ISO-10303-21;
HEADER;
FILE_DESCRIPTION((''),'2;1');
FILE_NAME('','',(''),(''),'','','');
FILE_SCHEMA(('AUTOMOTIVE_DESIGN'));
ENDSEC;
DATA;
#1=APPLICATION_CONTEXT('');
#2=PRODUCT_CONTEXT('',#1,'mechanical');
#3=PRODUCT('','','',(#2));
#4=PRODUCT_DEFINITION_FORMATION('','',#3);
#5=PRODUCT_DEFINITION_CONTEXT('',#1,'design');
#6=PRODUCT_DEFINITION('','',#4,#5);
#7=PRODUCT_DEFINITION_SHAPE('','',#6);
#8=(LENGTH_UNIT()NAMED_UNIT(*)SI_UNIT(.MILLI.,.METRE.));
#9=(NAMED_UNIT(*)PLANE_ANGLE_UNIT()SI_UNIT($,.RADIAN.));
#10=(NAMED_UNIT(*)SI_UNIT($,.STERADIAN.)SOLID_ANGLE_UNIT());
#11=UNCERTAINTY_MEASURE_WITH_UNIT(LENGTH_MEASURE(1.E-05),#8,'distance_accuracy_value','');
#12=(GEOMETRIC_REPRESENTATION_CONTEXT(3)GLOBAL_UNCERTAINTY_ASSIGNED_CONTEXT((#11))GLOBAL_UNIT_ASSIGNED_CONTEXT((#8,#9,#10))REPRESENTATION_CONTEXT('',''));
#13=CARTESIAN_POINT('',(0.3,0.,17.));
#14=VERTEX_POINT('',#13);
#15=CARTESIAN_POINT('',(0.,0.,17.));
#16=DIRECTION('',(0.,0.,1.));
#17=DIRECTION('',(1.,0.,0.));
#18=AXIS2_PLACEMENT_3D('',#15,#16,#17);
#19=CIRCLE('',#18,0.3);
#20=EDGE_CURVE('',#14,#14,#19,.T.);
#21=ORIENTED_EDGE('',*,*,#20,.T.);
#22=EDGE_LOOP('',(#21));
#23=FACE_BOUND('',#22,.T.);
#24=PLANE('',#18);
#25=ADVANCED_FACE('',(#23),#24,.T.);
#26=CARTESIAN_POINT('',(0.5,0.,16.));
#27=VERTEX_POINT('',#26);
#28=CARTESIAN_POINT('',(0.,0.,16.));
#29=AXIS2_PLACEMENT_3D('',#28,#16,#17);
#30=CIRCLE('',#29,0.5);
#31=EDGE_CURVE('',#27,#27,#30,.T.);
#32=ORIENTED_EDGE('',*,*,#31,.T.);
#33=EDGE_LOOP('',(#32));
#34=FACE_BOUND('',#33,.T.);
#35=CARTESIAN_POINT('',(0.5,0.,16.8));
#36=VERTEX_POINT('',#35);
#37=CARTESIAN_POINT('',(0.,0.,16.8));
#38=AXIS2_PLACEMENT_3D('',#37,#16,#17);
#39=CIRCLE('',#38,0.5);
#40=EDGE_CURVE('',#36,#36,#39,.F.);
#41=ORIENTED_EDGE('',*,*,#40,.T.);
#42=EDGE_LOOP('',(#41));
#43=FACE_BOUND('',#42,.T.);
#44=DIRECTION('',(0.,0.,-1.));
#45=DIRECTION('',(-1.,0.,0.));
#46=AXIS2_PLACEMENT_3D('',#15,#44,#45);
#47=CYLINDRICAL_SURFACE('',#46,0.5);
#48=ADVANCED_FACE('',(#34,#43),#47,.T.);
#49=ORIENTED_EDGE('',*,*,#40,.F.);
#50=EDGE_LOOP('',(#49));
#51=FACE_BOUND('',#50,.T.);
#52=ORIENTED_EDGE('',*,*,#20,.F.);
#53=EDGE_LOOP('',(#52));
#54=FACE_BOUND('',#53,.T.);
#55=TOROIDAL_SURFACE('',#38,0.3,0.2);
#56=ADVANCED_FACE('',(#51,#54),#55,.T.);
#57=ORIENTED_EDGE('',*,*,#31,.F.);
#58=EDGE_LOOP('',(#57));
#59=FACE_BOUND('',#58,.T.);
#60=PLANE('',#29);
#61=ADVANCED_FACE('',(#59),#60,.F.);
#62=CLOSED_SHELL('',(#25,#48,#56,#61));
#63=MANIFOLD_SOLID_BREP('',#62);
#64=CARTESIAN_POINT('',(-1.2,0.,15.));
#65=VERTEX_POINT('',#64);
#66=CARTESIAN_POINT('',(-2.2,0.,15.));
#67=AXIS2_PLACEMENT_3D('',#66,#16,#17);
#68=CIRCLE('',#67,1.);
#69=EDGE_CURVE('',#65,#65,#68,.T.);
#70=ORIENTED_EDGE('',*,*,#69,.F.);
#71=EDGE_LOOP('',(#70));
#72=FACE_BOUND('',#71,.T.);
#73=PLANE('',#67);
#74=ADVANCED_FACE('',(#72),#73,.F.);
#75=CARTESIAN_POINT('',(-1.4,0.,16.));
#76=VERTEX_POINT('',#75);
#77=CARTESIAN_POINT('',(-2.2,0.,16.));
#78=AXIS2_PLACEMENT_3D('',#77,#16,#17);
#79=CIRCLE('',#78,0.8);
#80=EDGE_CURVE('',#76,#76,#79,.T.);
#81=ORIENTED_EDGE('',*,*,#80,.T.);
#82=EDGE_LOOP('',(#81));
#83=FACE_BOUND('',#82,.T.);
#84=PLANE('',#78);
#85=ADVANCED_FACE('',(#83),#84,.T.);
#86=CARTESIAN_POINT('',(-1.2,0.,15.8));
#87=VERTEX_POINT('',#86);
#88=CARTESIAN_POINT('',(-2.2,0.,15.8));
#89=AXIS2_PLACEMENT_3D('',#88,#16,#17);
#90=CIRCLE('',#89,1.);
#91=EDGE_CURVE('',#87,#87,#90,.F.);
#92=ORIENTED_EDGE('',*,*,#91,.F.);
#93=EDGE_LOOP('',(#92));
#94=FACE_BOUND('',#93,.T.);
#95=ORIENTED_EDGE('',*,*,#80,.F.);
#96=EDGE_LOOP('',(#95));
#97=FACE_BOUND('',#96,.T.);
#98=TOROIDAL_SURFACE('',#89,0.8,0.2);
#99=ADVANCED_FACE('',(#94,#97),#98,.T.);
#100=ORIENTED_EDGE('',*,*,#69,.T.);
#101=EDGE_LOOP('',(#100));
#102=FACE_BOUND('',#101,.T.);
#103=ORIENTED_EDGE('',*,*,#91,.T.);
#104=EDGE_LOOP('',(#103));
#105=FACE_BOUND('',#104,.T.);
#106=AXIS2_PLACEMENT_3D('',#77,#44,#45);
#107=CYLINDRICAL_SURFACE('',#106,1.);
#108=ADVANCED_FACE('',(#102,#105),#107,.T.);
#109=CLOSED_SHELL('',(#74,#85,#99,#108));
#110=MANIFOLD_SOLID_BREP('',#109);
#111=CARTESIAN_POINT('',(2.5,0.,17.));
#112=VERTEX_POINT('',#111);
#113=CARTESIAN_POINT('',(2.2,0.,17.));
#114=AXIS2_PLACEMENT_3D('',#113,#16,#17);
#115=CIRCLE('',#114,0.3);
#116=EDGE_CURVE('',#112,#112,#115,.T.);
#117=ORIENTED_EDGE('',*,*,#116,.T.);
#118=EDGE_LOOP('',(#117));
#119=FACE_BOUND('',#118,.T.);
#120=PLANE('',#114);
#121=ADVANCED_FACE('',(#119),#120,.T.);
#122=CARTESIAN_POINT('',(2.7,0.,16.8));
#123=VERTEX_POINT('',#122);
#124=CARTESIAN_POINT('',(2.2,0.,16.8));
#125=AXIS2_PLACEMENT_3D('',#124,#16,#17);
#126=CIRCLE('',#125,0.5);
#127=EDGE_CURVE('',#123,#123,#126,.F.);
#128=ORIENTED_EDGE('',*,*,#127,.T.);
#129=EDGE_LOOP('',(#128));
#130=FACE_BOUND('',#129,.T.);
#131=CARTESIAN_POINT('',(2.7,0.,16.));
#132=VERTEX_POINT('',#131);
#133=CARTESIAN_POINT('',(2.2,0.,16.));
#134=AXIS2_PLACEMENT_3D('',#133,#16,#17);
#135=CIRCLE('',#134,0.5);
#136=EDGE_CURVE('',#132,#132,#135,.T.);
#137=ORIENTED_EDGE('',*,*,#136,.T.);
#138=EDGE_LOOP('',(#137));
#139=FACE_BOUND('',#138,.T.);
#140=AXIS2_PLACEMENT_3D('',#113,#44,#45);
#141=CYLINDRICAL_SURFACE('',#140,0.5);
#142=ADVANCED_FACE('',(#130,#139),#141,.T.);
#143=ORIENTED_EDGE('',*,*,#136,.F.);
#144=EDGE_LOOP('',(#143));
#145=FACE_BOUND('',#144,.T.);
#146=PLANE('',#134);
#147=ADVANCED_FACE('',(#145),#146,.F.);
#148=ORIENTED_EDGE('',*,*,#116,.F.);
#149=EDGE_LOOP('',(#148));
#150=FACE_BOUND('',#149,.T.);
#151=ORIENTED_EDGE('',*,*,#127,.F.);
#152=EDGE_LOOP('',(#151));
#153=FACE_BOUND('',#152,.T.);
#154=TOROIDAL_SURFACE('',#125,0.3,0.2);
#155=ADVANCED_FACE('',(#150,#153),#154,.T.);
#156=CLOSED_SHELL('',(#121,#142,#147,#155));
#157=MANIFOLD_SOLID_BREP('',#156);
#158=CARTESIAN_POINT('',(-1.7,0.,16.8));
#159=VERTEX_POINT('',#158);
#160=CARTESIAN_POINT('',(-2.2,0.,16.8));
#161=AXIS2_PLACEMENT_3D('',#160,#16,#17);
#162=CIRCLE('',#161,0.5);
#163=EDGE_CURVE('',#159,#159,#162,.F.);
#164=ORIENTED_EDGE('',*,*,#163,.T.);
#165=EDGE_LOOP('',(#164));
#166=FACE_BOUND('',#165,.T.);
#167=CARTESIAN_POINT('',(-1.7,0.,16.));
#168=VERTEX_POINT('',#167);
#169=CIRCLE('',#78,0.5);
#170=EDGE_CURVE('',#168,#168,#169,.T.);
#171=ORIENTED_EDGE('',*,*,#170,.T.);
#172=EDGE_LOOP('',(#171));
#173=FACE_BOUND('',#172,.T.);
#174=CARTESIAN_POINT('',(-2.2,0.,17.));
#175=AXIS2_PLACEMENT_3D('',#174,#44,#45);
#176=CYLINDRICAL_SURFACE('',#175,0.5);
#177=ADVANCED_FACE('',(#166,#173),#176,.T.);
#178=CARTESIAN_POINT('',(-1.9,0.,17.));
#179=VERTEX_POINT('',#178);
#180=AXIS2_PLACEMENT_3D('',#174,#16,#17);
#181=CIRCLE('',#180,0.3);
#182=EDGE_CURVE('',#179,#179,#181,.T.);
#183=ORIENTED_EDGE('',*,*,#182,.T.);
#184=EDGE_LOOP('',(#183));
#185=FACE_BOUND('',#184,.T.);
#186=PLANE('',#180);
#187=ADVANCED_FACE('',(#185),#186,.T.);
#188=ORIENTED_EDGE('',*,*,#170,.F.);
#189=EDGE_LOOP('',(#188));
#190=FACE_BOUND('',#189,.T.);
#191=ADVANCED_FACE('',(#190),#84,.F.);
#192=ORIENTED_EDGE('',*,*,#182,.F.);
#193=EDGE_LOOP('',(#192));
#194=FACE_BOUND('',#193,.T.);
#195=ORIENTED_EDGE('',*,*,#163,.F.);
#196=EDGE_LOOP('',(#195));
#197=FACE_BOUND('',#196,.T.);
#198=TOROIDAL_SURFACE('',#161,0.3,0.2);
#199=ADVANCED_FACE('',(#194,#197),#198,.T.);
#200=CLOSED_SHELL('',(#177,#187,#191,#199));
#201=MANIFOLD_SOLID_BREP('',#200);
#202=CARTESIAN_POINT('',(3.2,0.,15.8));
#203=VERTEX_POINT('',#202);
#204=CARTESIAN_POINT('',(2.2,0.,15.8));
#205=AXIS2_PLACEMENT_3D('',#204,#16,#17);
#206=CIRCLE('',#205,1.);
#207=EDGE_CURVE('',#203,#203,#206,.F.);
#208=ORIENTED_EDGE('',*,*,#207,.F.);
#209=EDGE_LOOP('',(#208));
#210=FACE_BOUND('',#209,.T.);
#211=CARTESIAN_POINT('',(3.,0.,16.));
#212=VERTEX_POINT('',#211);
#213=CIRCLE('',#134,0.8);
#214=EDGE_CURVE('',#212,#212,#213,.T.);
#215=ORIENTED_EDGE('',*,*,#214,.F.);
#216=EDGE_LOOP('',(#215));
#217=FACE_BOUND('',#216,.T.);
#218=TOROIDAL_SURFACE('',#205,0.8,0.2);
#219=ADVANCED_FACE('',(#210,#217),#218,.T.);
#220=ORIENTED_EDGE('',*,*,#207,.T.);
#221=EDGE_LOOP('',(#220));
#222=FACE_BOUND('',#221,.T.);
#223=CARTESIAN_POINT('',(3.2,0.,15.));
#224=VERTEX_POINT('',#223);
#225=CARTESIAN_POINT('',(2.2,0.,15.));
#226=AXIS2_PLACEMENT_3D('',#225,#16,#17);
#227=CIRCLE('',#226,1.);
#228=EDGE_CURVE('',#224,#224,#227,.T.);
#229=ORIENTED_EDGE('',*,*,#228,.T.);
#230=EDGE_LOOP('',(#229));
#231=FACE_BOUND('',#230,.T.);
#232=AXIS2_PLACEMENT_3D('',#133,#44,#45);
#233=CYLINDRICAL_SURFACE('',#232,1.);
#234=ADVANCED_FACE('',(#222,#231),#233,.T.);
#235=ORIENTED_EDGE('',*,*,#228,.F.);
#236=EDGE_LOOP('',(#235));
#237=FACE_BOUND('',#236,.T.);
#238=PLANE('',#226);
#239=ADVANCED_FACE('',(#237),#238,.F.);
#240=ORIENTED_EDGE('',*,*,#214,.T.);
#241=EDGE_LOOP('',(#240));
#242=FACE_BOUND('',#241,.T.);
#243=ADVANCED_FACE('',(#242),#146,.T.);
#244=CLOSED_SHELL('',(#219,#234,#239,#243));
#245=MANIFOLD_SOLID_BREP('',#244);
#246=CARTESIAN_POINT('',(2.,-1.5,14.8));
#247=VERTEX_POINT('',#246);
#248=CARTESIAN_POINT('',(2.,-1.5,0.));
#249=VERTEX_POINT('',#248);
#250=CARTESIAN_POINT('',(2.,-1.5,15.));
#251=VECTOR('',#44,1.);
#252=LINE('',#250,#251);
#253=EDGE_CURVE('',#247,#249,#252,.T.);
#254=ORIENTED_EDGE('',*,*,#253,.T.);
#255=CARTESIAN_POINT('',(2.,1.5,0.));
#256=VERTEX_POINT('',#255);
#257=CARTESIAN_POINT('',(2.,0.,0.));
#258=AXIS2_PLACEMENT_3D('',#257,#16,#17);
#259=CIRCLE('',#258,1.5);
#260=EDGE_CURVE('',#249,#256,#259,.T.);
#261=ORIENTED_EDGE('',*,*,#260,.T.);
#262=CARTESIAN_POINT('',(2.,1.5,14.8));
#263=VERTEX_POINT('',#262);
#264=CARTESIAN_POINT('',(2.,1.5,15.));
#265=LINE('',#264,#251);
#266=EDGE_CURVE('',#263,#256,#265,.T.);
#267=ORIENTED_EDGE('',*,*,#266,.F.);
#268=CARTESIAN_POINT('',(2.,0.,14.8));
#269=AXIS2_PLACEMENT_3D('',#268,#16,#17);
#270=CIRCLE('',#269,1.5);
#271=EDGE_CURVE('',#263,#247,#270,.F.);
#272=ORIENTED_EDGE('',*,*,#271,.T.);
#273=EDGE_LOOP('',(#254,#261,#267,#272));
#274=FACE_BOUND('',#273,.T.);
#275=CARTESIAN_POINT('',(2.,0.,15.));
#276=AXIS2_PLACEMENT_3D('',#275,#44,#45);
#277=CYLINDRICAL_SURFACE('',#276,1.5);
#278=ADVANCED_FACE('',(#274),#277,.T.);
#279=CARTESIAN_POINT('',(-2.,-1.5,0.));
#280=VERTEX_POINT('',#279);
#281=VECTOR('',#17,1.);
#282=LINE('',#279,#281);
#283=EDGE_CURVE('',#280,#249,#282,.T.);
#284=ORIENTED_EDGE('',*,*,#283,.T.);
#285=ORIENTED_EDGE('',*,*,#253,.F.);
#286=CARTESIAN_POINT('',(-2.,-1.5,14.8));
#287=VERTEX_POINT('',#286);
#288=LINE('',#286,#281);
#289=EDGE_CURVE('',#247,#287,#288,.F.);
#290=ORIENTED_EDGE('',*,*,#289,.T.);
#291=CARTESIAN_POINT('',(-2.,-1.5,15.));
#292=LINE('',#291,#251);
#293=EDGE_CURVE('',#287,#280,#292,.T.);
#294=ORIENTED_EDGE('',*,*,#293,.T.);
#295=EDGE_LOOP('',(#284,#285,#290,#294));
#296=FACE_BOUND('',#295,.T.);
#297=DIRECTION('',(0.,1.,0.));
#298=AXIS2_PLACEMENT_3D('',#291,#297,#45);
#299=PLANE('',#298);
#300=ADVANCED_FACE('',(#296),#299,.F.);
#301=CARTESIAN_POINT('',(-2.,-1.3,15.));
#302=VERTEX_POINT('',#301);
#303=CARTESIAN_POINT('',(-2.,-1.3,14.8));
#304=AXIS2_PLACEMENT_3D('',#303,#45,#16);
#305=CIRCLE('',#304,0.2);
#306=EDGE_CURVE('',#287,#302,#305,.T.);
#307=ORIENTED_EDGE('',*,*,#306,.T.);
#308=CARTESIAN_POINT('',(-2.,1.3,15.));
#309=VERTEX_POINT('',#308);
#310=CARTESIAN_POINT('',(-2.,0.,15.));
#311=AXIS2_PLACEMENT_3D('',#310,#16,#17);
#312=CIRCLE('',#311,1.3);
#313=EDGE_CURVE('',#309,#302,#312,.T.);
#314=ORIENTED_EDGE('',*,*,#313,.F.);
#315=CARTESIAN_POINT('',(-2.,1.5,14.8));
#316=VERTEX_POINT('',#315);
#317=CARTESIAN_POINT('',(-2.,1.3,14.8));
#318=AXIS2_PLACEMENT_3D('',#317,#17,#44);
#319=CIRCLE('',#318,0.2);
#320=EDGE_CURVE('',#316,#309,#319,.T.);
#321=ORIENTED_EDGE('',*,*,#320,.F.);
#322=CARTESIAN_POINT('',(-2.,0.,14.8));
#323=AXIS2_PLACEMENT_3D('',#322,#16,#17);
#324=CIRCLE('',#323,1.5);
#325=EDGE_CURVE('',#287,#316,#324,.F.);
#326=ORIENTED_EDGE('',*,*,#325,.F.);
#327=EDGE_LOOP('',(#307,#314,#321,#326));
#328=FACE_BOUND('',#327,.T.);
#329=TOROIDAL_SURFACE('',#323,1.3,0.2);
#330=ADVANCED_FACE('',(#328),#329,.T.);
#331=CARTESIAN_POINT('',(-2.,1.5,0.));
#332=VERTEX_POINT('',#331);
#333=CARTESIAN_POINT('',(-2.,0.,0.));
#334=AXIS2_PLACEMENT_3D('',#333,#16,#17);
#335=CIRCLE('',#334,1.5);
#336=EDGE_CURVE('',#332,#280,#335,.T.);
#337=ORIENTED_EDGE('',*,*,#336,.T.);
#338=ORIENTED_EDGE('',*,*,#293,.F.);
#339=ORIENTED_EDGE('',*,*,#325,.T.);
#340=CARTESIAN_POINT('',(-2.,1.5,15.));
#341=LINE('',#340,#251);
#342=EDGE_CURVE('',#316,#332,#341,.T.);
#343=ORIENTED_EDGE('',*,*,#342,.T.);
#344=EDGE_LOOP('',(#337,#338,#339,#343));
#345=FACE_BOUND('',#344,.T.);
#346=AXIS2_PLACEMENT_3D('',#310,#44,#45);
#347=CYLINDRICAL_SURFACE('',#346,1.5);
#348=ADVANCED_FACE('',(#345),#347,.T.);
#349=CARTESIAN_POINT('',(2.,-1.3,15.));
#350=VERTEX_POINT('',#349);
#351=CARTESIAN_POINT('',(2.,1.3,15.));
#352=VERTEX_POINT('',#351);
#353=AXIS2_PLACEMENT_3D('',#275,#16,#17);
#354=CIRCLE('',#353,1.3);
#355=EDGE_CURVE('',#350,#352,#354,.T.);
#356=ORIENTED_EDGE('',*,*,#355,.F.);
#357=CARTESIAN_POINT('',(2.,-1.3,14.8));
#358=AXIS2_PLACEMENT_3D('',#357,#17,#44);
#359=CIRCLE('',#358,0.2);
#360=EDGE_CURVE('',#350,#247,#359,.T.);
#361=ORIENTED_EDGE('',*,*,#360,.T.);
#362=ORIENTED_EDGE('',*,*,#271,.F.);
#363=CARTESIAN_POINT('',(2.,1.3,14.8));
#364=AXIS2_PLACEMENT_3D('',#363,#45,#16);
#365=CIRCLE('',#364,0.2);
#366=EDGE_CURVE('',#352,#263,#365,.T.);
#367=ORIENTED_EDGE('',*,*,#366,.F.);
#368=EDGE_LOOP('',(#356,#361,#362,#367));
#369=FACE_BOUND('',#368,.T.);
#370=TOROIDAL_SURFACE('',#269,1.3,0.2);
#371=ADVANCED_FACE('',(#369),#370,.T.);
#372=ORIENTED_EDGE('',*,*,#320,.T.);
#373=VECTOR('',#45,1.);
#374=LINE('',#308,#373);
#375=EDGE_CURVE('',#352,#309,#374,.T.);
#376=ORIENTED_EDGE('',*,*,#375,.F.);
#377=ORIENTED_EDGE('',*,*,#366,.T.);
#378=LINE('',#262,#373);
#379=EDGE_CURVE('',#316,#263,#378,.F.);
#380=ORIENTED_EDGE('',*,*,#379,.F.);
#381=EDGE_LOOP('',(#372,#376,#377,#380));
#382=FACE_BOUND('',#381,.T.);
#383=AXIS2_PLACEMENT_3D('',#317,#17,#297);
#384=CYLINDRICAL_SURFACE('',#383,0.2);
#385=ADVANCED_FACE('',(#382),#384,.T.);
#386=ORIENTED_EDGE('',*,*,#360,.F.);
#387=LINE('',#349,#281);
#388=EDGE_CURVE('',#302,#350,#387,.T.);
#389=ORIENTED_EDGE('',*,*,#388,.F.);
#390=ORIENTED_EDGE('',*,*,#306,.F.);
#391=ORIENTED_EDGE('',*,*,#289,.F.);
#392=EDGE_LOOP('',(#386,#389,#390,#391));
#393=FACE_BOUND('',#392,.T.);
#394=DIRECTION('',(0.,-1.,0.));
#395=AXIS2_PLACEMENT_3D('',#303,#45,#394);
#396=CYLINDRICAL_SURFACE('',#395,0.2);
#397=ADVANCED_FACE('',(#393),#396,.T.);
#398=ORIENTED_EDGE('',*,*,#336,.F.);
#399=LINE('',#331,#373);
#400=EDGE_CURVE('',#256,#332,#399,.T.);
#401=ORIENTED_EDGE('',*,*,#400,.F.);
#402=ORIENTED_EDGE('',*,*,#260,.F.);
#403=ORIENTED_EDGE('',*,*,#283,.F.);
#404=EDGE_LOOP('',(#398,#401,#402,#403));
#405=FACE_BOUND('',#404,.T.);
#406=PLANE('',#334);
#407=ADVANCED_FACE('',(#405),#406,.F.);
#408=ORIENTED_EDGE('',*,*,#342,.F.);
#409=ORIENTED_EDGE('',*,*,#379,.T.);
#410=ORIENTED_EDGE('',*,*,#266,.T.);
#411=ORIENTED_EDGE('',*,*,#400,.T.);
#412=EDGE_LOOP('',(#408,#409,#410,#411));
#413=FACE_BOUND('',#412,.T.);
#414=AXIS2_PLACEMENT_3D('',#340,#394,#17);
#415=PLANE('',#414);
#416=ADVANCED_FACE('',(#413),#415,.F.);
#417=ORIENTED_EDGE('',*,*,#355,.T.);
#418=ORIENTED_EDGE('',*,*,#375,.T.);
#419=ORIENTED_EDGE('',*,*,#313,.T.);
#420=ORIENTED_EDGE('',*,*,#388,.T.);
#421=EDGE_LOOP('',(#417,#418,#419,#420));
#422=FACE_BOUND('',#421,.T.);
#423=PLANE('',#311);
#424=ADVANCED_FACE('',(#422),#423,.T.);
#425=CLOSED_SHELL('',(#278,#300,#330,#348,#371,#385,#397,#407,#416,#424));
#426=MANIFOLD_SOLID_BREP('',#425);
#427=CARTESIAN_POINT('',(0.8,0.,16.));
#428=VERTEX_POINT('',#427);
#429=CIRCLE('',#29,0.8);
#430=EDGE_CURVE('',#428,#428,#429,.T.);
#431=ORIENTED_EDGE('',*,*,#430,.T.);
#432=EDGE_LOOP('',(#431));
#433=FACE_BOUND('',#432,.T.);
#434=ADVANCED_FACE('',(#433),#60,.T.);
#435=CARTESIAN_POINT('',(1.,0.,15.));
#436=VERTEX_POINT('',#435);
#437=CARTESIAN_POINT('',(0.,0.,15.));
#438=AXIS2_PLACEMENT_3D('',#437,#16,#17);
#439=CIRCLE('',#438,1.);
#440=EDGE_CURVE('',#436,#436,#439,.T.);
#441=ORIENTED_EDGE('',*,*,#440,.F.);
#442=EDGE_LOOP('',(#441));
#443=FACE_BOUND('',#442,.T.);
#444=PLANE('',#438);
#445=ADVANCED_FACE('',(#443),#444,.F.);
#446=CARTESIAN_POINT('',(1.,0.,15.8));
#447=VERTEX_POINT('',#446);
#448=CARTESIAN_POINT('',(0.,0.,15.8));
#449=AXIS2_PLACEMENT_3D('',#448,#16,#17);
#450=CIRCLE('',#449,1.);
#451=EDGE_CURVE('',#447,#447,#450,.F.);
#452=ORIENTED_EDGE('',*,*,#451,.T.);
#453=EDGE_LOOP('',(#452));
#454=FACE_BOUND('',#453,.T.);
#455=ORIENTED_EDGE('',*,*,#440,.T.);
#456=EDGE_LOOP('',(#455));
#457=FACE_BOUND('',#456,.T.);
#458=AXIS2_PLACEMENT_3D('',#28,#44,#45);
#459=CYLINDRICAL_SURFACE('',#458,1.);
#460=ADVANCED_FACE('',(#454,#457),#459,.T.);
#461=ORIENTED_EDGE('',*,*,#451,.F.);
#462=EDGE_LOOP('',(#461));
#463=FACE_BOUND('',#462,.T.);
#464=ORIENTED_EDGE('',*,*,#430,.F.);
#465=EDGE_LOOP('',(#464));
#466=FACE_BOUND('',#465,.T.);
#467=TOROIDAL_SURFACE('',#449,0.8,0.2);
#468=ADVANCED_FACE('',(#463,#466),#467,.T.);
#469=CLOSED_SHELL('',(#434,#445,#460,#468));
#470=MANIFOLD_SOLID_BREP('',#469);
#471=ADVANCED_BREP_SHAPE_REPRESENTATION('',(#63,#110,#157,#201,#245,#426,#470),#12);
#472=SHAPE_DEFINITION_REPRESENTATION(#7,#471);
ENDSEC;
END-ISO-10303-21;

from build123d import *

# Parameters (mm, degrees)
EXTRUDE_1_DEPTH   = 15
SKETCH_2_R        = 1
EXTRUDE_2_DEPTH   = 1
EXTRUDE_2_2_DEPTH = 1
EXTRUDE_2_3_DEPTH = 1
SKETCH_4_R        = 0.5
EXTRUDE_3_DEPTH   = 1
EXTRUDE_3_2_DEPTH = 1
EXTRUDE_3_3_DEPTH = 1
FILLET_1_R        = 0.2
FILLET_2_R        = 0.2
FILLET_3_R        = 0.2
FILLET_4_R        = 0.2
FILLET_5_R        = 0.2
FILLET_6_R        = 0.2
FILLET_7_R        = 0.2


with BuildPart() as part:
    # Эскиз1 → Бобышка-Вытянуть1 (new body)
    with BuildSketch(Plane.XY):
        with BuildLine():
            Line((-2, 1.5), (2, 1.5))
            ThreePointArc((2, 1.5), (3.5, 0), (2, -1.5))
            Line((2, -1.5), (-2, -1.5))
            ThreePointArc((-2, -1.5), (-3.5, 0), (-2, 1.5))
        make_face()
    extrude(amount=EXTRUDE_1_DEPTH)

    # Скругление1
    fillet_1_edges = [part.edges().sort_by_distance(p)[0] for p in [
        (3.5, 0, 15),
        (0, 1.5, 15),
        (-3.5, 0, 15),
        (0, -1.5, 15),
    ]]
    fillet(fillet_1_edges, radius=FILLET_1_R)


with BuildPart() as body_2:
    # Эскиз2 → Бобышка-Вытянуть2 (new body)
    with BuildSketch(Plane.XY.offset(15)):
        with Locations((-2.2, 0)):
            Circle(SKETCH_2_R)
    extrude(amount=EXTRUDE_2_DEPTH)

    # Скругление2
    fillet_2_edges = [body_2.edges().sort_by_distance(p)[0] for p in [
        (-3.2, 0, 16),
    ]]
    fillet(fillet_2_edges, radius=FILLET_2_R)


with BuildPart() as body_3:
    # Эскиз2 → Extrude 2 2 (new body)
    with BuildSketch(Plane.XY.offset(15)):
        Circle(SKETCH_2_R)
    extrude(amount=EXTRUDE_2_2_DEPTH)

    # Скругление3
    fillet_3_edges = [body_3.edges().sort_by_distance(p)[0] for p in [
        (-1, 0, 16),
    ]]
    fillet(fillet_3_edges, radius=FILLET_3_R)


with BuildPart() as body_4:
    # Эскиз2 → Extrude 2 3 (new body)
    with BuildSketch(Plane.XY.offset(15)):
        with Locations((2.2, 0)):
            Circle(SKETCH_2_R)
    extrude(amount=EXTRUDE_2_3_DEPTH)

    # Скругление4
    fillet_4_edges = [body_4.edges().sort_by_distance(p)[0] for p in [
        (1.2, 0, 16),
    ]]
    fillet(fillet_4_edges, radius=FILLET_4_R)


with BuildPart() as body_5:
    # Эскиз4 → Бобышка-Вытянуть3 (new body)
    with BuildSketch(Plane.XY.offset(16)):
        Circle(SKETCH_4_R)
    extrude(amount=EXTRUDE_3_DEPTH)

    # Скругление6
    fillet_6_edges = [body_5.edges().sort_by_distance(p)[0] for p in [
        (-0.5, 0, 17),
    ]]
    fillet(fillet_6_edges, radius=FILLET_6_R)


with BuildPart() as body_6:
    # Эскиз4 → Extrude 3 2 (new body)
    with BuildSketch(Plane.XY.offset(16)):
        with Locations((-2.2, 0)):
            Circle(SKETCH_4_R)
    extrude(amount=EXTRUDE_3_2_DEPTH)

    # Скругление5
    fillet_5_edges = [body_6.edges().sort_by_distance(p)[0] for p in [
        (-2.7, 0, 17),
    ]]
    fillet(fillet_5_edges, radius=FILLET_5_R)


with BuildPart() as body_7:
    # Эскиз4 → Extrude 3 3 (new body)
    with BuildSketch(Plane.XY.offset(16)):
        with Locations((2.2, 0)):
            Circle(SKETCH_4_R)
    extrude(amount=EXTRUDE_3_3_DEPTH)

    # Скругление7
    fillet_7_edges = [body_7.edges().sort_by_distance(p)[0] for p in [
        (1.7, 0, 17),
    ]]
    fillet(fillet_7_edges, radius=FILLET_7_R)


solid = Compound([part.part, body_2.part, body_3.part, body_4.part, body_5.part, body_6.part, body_7.part])
